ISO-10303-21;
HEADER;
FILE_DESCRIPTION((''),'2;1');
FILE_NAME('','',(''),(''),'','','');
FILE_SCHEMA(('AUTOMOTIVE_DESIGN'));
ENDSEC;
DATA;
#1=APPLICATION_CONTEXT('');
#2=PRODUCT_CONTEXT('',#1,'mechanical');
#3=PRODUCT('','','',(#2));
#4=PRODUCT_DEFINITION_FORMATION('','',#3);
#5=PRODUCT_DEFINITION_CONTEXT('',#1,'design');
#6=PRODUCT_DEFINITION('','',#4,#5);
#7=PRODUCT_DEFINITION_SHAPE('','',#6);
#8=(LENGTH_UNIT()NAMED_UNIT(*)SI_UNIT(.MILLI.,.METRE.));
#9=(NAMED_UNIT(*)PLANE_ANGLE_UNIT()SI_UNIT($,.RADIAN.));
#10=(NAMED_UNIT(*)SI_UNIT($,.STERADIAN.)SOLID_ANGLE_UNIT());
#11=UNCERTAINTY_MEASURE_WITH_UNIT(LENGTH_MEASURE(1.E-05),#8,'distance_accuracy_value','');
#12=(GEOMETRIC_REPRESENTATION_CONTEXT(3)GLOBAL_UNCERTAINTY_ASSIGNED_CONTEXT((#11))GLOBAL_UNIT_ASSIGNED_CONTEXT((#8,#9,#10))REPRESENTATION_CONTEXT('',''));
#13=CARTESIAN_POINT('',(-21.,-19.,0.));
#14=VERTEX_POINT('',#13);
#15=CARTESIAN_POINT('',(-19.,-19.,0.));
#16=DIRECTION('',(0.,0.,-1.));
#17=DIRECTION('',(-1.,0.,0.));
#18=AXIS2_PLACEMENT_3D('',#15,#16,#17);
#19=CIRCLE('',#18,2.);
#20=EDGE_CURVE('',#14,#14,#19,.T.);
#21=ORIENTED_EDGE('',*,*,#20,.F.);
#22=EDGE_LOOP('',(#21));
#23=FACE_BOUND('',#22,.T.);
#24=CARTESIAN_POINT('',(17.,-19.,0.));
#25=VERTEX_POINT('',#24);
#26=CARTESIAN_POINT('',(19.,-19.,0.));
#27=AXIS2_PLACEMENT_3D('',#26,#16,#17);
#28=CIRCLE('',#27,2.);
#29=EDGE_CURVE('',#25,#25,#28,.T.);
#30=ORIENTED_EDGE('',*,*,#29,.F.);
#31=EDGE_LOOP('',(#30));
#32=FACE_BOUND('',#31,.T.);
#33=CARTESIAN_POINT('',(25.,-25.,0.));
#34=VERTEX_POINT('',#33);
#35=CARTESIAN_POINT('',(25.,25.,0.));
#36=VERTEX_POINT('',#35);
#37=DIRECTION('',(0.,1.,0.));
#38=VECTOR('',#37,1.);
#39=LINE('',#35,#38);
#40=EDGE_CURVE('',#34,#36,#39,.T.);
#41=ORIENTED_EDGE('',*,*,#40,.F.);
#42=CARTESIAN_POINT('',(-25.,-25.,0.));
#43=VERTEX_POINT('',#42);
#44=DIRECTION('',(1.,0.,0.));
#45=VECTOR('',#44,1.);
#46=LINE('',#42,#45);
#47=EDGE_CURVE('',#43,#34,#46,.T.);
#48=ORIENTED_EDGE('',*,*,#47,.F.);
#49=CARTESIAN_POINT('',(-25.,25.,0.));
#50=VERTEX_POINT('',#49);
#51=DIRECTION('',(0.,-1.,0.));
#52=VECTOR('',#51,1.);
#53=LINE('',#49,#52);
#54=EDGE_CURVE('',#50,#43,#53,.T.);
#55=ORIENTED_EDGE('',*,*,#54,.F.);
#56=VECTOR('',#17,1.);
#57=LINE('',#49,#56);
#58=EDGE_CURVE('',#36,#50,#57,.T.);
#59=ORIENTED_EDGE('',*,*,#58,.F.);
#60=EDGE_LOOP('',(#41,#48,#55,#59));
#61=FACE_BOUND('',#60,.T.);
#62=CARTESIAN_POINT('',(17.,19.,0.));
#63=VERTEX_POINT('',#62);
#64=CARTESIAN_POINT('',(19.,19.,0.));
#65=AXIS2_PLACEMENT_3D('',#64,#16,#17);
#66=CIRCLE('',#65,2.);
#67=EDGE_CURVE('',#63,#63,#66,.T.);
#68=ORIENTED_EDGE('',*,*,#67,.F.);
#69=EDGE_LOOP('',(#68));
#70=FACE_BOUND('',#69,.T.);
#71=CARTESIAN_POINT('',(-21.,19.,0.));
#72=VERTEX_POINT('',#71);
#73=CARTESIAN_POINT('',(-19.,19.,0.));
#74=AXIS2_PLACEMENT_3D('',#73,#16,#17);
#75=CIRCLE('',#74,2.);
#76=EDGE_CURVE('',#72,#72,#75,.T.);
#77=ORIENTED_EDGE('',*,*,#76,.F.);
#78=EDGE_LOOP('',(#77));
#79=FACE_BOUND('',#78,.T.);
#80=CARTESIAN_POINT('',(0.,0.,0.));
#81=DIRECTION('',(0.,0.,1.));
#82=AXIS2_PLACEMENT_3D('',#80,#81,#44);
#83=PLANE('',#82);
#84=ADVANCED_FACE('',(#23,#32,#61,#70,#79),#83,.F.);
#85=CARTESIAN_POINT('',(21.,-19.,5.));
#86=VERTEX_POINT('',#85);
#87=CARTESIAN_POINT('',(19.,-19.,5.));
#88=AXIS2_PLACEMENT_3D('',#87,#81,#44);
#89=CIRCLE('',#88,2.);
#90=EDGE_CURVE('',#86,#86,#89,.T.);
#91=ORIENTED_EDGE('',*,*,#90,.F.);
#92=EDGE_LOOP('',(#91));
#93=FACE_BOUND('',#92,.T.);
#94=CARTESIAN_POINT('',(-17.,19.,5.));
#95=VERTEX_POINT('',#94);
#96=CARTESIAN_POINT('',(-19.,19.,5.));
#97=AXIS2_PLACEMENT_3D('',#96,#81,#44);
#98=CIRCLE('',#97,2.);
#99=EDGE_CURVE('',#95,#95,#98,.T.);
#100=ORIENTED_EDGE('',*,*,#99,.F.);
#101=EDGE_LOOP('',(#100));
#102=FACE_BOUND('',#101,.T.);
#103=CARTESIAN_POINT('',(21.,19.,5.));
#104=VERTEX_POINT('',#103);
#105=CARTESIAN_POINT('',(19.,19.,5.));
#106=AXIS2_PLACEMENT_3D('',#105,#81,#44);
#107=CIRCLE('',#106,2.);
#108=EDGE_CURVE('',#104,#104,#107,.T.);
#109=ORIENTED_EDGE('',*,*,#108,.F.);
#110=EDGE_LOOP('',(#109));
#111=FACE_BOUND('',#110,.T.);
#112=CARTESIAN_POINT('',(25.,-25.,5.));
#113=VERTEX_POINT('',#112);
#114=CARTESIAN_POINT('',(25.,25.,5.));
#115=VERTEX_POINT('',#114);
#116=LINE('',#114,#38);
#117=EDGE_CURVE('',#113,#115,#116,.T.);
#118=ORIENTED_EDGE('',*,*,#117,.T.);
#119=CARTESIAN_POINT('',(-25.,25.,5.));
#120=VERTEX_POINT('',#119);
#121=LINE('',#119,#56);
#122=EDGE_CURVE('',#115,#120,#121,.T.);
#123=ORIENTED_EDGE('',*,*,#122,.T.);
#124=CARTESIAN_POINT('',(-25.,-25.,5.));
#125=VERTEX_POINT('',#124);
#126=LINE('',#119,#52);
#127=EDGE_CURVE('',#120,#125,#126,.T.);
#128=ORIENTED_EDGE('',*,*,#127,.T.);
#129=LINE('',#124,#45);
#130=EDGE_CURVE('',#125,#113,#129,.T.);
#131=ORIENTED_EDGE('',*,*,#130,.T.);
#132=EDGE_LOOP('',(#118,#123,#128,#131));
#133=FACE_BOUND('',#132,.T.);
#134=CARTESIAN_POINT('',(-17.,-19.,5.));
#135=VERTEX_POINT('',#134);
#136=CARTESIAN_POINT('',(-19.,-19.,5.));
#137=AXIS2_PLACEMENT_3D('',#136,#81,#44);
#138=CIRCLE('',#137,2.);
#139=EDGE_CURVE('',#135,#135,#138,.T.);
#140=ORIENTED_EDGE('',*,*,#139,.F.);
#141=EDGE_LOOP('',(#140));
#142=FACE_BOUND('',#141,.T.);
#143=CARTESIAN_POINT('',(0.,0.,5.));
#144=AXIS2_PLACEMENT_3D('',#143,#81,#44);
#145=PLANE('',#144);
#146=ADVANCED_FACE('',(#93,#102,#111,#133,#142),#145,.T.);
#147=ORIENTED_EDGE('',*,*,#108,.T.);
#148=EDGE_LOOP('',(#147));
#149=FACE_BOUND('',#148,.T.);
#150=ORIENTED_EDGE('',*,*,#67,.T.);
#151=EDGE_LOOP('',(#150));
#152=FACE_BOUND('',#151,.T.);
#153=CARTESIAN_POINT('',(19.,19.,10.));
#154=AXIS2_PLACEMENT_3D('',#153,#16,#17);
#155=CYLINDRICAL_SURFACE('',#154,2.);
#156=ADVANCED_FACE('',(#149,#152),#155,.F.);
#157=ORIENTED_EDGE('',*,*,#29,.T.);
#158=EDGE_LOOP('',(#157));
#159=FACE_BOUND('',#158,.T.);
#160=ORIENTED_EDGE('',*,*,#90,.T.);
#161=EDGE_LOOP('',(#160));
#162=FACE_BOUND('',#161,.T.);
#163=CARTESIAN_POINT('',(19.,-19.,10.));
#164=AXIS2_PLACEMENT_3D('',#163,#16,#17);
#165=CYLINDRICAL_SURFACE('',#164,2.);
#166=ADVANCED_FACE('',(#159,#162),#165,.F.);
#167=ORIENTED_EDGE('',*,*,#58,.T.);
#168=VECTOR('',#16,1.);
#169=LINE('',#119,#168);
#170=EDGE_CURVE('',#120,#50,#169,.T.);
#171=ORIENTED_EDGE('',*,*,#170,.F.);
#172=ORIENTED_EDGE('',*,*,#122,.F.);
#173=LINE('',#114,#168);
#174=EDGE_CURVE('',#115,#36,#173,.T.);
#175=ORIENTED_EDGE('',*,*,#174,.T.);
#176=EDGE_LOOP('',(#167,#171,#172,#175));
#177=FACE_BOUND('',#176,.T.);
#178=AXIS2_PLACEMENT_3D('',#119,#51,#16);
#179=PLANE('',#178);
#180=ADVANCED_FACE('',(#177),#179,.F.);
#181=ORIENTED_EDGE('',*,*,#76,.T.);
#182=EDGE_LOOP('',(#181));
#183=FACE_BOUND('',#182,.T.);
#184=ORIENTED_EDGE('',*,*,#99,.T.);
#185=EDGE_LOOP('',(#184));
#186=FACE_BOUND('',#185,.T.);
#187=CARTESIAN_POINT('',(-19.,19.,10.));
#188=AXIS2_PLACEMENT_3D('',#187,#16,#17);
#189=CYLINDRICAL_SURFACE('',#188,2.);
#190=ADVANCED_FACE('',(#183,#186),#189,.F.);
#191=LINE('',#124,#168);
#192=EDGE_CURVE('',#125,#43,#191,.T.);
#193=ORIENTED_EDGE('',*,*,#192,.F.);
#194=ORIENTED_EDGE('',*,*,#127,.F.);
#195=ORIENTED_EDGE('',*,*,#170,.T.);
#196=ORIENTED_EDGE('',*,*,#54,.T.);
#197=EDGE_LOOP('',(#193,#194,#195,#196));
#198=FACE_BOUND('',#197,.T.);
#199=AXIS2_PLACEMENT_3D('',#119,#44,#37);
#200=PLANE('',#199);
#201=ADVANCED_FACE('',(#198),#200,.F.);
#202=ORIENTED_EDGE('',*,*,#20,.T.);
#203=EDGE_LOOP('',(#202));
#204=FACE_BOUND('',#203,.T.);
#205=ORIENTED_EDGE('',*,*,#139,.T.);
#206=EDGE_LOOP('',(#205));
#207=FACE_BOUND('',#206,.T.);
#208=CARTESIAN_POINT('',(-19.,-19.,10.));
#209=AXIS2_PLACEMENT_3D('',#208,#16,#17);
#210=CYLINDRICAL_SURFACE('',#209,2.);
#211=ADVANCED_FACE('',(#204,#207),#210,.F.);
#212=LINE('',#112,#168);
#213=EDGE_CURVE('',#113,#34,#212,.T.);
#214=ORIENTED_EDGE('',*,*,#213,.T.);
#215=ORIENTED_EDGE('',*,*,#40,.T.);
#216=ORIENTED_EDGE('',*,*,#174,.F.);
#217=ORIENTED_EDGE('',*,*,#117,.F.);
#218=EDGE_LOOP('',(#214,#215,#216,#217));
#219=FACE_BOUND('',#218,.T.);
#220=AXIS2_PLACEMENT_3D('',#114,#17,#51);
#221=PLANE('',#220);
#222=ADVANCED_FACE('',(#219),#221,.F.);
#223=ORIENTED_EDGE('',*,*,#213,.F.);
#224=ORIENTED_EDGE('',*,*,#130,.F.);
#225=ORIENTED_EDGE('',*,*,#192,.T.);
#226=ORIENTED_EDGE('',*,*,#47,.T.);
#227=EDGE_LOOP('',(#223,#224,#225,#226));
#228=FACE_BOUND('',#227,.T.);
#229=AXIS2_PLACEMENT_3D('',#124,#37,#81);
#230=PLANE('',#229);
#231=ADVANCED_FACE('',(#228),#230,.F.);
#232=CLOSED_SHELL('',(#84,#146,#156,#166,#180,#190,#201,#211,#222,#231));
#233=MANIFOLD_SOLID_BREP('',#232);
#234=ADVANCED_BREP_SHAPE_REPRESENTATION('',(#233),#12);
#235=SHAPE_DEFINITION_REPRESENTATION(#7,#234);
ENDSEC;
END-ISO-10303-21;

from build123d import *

# Parameters (mm, degrees)
ESQUISSE1_W             = 50
ESQUISSE1_H             = 50
BOSS_EXTRU_1_DEPTH      = 5
ESQUISSE2_R             = 2
ENL_V_MAT_EXTRU_1_DEPTH = 10


with BuildPart() as part:
    # Esquisse1 → Boss.-Extru.1 (new body)
    with BuildSketch(Plane.XY):
        Rectangle(ESQUISSE1_W, ESQUISSE1_H)
    extrude(amount=BOSS_EXTRU_1_DEPTH)

    # Esquisse2 → Enlèv. mat.-Extru.1 (cut)
    with BuildSketch(Plane(origin=(0, 0, 0), x_dir=(-1, 0, 0), z_dir=(0, 0, -1))):
        with Locations((19, 19)):
            Circle(ESQUISSE2_R)
        with Locations((-19, 19)):
            Circle(ESQUISSE2_R)
        with Locations((-19, -19)):
            Circle(ESQUISSE2_R)
        with Locations((19, -19)):
            Circle(ESQUISSE2_R)
    extrude(amount=-ENL_V_MAT_EXTRU_1_DEPTH, mode=Mode.SUBTRACT)


solid = part.part
